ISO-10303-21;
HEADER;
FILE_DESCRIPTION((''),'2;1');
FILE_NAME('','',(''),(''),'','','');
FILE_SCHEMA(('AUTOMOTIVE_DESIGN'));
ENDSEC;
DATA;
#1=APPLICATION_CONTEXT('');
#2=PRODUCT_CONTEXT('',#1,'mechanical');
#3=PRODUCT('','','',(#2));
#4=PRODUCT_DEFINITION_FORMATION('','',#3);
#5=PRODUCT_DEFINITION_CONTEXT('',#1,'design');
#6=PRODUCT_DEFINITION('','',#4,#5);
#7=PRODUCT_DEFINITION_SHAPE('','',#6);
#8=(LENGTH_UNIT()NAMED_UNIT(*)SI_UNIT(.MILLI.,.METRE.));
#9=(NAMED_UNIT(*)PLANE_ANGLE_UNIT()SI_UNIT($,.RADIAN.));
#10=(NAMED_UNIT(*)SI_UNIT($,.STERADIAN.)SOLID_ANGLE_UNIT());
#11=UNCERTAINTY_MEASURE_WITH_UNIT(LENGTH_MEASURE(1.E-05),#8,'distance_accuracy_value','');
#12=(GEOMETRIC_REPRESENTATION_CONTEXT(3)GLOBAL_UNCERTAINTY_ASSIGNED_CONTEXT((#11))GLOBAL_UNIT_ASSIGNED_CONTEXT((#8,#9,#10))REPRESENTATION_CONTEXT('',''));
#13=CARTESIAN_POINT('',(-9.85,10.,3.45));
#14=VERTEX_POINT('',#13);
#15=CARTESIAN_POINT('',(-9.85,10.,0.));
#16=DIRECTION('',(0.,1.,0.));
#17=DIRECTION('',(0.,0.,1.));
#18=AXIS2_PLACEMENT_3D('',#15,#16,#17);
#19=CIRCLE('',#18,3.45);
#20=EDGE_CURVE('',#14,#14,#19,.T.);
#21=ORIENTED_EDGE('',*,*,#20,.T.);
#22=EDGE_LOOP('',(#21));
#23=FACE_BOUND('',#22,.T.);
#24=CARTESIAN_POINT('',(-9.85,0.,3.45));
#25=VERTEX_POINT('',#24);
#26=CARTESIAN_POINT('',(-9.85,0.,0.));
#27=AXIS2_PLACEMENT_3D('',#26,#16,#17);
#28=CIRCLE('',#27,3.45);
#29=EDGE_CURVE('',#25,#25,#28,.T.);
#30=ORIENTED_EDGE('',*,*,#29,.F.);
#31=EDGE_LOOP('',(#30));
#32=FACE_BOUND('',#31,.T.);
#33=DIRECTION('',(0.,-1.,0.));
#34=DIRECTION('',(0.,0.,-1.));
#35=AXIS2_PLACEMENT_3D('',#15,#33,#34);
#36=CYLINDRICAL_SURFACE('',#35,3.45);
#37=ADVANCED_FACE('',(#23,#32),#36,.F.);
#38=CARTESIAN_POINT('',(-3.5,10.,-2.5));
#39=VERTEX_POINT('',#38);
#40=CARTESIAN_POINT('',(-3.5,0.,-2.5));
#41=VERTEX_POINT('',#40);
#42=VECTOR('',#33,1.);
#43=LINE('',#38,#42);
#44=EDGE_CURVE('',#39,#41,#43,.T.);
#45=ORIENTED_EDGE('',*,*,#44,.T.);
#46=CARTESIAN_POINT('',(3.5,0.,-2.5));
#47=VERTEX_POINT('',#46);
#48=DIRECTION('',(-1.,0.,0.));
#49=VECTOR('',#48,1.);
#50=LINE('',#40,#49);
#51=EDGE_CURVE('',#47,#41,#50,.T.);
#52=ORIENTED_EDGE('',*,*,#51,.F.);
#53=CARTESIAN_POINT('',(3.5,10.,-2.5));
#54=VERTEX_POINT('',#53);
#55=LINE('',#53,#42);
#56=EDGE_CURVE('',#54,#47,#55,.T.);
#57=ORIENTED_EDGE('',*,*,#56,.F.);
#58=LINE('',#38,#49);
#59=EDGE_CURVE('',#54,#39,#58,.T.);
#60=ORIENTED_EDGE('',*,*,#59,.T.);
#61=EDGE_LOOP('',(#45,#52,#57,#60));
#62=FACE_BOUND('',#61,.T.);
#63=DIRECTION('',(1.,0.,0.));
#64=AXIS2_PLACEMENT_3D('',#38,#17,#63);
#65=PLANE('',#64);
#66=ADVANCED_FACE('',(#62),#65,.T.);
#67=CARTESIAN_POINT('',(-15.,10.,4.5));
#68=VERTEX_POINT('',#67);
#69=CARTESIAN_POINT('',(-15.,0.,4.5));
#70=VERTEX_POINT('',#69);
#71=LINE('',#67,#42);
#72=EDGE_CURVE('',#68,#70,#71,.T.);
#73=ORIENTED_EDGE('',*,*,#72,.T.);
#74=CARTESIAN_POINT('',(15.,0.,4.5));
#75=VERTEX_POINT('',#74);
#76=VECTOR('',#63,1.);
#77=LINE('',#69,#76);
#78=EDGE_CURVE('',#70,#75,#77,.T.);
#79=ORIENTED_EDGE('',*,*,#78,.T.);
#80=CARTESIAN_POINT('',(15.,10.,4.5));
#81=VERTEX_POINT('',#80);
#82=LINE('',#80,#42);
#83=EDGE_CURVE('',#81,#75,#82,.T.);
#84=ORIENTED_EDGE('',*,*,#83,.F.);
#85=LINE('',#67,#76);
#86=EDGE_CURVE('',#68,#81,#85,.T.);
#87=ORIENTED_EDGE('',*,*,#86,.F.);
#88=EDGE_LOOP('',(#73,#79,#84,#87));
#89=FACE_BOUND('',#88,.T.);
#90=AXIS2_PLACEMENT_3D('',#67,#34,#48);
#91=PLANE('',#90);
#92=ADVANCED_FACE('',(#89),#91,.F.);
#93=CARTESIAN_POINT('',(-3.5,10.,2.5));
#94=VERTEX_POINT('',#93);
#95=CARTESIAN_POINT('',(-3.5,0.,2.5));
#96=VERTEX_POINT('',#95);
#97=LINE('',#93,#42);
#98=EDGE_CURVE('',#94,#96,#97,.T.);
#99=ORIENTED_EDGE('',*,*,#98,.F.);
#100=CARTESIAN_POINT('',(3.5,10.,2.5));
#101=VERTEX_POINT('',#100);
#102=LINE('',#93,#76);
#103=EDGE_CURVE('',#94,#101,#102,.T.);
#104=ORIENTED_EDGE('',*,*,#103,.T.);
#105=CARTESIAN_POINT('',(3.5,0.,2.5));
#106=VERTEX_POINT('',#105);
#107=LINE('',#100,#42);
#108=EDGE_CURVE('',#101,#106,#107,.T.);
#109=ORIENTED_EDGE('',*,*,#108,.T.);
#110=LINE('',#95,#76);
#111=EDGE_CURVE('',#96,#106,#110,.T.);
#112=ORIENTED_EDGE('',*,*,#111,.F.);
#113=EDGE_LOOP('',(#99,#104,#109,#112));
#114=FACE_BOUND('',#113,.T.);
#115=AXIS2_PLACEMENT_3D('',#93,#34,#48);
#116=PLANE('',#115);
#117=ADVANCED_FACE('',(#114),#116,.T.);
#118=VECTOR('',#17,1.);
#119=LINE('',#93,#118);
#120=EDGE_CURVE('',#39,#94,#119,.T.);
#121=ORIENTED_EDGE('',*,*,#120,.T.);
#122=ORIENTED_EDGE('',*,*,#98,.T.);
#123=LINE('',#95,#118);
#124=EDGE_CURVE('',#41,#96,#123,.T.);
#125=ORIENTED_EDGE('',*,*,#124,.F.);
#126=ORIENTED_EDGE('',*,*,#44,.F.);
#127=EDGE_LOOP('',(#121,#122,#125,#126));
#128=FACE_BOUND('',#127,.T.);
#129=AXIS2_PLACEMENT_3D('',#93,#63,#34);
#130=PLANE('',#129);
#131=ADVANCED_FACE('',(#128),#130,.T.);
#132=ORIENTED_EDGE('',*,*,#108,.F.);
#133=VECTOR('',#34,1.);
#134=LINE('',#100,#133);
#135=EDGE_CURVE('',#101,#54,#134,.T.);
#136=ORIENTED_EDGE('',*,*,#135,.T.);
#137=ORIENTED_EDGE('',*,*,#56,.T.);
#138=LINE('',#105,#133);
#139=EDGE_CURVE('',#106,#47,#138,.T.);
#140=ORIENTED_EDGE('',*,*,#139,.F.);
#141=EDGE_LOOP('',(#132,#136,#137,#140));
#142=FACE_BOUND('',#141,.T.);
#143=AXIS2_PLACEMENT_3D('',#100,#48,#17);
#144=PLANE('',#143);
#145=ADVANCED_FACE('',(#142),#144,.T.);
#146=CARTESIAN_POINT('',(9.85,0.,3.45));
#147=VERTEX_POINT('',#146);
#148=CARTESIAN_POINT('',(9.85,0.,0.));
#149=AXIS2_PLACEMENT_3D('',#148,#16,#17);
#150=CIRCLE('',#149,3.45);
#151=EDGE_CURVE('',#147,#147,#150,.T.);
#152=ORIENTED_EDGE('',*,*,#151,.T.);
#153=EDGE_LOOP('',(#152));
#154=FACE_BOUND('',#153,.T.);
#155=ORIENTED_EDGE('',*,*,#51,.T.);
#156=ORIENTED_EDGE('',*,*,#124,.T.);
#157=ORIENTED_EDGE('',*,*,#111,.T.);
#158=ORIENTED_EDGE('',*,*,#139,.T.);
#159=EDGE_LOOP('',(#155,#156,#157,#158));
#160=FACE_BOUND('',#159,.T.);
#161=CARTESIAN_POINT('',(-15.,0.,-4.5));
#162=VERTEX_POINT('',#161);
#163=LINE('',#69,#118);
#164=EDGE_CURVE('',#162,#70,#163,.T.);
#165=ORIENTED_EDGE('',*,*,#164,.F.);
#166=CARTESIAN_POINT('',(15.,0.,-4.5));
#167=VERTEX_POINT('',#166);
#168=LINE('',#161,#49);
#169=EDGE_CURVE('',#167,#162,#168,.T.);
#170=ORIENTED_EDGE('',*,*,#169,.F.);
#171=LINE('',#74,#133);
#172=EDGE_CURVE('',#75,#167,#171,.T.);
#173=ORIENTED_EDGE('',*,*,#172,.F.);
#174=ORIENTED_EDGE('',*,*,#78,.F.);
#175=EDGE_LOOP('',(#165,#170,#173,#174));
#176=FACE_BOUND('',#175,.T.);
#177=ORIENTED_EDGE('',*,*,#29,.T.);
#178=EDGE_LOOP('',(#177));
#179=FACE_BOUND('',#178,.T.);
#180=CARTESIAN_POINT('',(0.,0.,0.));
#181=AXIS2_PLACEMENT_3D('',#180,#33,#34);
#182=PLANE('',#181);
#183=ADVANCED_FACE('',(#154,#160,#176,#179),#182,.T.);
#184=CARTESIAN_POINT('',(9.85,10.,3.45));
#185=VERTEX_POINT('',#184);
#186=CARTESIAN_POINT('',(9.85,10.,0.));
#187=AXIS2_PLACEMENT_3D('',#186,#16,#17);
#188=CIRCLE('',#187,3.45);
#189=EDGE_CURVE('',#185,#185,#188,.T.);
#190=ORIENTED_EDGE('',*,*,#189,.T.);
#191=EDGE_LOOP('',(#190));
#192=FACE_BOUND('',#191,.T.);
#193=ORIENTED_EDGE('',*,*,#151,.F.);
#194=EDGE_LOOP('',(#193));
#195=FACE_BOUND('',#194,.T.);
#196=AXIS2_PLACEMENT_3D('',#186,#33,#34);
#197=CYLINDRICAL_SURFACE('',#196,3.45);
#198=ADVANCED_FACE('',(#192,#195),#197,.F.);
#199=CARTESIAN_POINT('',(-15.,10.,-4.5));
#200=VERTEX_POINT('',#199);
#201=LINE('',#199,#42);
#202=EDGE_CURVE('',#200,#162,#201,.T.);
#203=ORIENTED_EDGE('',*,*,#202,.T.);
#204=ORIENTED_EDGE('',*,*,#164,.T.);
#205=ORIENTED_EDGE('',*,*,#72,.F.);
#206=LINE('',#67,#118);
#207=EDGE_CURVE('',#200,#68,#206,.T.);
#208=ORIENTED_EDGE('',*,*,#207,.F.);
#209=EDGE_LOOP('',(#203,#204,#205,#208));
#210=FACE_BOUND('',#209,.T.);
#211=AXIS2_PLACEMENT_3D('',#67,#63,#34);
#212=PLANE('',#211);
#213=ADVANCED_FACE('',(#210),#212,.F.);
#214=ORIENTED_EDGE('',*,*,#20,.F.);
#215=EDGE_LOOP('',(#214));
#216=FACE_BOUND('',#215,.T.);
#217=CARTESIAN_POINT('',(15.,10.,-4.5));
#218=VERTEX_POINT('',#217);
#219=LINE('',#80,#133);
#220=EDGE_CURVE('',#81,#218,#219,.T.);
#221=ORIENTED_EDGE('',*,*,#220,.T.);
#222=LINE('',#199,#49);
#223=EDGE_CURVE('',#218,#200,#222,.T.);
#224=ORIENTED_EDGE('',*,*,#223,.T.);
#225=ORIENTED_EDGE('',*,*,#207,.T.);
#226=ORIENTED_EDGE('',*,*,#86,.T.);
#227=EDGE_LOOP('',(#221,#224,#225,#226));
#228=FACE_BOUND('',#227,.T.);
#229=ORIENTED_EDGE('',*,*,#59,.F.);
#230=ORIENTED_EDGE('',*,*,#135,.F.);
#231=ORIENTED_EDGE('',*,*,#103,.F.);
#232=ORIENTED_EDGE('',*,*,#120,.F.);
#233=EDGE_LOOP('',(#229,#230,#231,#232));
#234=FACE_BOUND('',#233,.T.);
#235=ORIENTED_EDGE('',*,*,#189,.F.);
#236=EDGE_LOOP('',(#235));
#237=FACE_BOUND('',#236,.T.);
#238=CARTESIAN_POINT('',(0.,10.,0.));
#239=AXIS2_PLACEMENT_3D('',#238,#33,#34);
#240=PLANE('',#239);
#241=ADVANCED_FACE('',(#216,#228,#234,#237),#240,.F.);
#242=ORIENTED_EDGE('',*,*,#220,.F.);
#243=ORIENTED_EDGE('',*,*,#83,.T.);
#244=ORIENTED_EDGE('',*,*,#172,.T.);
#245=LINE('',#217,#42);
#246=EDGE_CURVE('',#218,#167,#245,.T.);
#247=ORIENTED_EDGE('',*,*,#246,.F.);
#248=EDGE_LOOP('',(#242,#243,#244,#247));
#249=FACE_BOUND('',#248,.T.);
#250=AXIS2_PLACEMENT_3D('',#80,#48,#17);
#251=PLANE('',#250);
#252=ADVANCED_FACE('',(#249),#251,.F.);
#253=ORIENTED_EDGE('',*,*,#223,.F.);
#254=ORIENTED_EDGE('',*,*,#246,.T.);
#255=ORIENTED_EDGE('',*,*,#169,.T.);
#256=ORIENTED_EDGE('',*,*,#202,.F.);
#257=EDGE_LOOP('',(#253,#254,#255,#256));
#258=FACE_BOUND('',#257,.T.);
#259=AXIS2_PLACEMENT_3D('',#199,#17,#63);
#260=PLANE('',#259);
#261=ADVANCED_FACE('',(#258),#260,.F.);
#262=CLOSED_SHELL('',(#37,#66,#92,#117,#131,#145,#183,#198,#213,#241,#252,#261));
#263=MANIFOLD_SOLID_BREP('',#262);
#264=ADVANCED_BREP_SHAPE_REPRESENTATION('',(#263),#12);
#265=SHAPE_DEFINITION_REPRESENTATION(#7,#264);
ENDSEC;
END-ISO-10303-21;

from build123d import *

# Parameters (mm, degrees)
SKETCH1_W           = 30
SKETCH1_H           = 9
SKETCH1_R           = 3.45
SKETCH1_W_2         = 7
SKETCH1_H_2         = 5
BOSS_EXTRUDE1_DEPTH = 10


with BuildPart() as part:
    # Sketch1 → Boss-Extrude1 (new body)
    with BuildSketch(Plane(origin=(0, 0, 0), x_dir=(1, 0, 0), z_dir=(0, 1, 0))):
        Rectangle(SKETCH1_W, SKETCH1_H)
        with Locations(Location((-9.85, 0, 0), (0, 0, 270))):
            Circle(SKETCH1_R, mode=Mode.SUBTRACT)
        with Locations(Location((9.85, 0, 0), (0, 0, 270))):
            Circle(SKETCH1_R, mode=Mode.SUBTRACT)
        Rectangle(SKETCH1_W_2, SKETCH1_H_2, mode=Mode.SUBTRACT)
    extrude(amount=BOSS_EXTRUDE1_DEPTH)


solid = part.part
